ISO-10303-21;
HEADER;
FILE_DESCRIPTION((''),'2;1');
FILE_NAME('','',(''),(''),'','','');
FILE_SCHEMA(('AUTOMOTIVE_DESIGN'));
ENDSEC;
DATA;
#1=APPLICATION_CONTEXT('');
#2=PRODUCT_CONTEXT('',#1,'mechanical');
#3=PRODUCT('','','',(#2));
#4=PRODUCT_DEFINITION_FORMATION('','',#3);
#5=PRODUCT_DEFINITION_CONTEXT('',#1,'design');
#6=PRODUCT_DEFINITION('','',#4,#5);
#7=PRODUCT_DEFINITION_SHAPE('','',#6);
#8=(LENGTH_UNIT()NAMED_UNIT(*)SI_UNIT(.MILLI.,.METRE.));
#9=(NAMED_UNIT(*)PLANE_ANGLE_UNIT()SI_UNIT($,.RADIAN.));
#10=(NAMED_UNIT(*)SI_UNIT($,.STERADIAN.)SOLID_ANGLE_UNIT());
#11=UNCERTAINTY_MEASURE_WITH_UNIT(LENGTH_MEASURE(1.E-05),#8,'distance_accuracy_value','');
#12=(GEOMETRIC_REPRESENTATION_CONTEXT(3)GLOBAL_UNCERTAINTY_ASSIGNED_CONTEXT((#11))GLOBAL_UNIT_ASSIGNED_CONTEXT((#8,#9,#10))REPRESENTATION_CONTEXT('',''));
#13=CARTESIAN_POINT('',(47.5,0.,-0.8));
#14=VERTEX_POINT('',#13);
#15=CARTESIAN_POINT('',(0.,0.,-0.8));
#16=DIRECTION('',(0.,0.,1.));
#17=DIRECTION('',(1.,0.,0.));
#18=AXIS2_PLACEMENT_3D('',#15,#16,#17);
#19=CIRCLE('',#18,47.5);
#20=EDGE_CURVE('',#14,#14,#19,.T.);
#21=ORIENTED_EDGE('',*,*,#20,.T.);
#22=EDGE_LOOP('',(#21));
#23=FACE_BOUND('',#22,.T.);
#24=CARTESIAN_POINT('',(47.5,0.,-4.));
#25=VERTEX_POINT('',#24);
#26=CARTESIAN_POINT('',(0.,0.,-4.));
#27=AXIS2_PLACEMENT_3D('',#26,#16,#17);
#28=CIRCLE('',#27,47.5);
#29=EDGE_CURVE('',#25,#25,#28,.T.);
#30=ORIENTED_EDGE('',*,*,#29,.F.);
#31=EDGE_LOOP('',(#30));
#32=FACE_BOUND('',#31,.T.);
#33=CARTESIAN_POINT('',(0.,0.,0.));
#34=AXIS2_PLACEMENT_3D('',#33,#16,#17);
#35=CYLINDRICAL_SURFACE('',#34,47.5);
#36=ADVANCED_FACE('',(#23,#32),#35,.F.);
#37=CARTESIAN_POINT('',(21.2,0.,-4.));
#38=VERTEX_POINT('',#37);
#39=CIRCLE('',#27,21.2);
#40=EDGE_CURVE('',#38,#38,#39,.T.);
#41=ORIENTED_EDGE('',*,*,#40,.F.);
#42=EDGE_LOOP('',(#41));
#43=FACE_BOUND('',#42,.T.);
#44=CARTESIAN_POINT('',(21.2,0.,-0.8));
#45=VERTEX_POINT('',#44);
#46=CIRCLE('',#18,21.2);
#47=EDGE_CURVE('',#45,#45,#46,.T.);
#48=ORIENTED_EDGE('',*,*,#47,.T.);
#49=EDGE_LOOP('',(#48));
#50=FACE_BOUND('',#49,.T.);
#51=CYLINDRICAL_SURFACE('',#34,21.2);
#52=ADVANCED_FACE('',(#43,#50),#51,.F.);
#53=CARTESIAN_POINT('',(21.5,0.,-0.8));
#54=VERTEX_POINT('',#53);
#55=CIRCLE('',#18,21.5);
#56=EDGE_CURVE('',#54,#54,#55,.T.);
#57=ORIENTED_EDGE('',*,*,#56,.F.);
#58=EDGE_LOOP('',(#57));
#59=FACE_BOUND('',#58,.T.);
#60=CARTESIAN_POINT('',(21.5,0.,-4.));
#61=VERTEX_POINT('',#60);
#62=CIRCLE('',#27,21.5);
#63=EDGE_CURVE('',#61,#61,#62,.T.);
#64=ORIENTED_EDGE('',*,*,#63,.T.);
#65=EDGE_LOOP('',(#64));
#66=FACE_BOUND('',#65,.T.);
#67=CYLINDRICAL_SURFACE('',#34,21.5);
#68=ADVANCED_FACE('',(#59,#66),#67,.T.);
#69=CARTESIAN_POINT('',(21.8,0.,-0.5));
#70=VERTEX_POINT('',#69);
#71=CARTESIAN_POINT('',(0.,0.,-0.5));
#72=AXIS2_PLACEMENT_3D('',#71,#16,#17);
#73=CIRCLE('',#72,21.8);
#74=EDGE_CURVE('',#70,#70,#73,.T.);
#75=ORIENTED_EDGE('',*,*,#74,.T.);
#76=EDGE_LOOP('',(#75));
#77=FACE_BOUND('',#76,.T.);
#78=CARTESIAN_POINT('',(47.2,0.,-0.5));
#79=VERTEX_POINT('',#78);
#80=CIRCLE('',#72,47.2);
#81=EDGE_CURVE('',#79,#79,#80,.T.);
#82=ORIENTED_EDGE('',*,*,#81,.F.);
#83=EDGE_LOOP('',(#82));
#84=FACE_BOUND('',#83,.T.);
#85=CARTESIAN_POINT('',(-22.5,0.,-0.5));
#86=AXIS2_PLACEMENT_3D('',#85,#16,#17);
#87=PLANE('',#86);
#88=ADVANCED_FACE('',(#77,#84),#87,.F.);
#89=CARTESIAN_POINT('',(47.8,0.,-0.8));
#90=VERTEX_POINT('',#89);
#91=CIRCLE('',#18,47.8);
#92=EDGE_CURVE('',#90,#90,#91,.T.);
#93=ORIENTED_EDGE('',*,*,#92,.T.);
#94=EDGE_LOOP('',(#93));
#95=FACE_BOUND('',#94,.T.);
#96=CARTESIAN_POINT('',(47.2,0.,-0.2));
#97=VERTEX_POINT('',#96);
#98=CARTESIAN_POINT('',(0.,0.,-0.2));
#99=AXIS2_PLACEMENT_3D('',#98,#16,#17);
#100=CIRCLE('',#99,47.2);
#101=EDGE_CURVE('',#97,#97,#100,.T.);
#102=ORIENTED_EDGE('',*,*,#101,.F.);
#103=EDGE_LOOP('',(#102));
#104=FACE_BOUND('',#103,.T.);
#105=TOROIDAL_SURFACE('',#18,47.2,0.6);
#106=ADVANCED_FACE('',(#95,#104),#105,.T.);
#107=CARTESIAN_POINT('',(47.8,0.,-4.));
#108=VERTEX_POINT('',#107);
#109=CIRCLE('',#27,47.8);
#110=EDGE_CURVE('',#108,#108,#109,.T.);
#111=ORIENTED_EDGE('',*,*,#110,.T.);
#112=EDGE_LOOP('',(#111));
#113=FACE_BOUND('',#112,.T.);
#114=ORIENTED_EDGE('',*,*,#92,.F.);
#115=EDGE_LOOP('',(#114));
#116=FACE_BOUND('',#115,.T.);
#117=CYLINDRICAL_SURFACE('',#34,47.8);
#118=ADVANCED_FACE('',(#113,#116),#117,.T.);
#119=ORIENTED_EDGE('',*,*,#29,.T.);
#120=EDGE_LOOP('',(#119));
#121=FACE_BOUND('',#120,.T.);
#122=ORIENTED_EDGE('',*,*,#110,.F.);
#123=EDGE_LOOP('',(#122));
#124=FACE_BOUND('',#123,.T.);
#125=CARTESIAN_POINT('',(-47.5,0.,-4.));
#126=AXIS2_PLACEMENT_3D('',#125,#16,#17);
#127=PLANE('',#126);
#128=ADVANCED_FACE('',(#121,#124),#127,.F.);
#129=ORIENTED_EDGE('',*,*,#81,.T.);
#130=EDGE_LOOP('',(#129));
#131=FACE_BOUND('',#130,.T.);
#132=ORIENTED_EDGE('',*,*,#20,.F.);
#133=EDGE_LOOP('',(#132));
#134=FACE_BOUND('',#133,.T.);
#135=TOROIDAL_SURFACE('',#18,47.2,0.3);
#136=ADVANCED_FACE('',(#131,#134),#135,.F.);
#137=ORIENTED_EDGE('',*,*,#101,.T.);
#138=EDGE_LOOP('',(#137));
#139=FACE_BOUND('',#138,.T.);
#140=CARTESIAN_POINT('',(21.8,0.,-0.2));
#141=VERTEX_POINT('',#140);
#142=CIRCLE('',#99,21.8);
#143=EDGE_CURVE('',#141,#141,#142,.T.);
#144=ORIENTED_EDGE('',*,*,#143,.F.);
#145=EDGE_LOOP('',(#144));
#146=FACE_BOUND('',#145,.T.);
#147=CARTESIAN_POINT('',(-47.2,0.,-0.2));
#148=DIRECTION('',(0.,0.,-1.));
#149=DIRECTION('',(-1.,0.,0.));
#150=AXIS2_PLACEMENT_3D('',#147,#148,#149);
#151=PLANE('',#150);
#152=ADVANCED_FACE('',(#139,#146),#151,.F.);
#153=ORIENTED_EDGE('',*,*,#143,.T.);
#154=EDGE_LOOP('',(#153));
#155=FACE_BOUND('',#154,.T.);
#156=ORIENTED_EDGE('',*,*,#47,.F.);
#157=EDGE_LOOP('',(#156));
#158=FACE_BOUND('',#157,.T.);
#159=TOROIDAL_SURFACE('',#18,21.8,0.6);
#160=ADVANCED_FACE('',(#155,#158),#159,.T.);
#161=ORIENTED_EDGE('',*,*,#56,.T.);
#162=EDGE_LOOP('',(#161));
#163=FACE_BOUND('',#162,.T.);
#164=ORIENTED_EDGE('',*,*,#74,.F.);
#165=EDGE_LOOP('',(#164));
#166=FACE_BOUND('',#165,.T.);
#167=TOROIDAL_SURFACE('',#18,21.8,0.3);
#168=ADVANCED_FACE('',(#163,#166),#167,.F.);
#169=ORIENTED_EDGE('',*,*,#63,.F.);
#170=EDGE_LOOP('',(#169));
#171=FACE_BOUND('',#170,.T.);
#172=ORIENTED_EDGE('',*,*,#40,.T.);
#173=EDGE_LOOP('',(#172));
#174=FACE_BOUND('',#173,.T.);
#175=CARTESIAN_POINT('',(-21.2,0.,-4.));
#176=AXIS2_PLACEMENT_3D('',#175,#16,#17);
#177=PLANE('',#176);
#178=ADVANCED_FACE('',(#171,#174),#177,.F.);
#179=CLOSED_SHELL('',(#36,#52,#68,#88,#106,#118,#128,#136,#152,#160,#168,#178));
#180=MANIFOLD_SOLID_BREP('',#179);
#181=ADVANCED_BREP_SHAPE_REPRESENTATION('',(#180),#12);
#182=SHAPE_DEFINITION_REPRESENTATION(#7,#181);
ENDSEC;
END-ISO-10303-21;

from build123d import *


with BuildPart() as part:
    # Sketch1 → Revolve1 (revolve)
    with BuildSketch(Plane(origin=(0, 0, 0), x_dir=(1, 0, 0), z_dir=(0, 1, 0)), mode=Mode.PRIVATE) as revolve1_sk:
        with BuildLine():
            Line((-47.5, 1.5), (-47.5, 0.8))
            ThreePointArc((-47.5, 0.8), (-47.412132034, 0.587867966), (-47.2, 0.5))
            Line((-47.2, 0.5), (-46.5, 0.5))
            Line((-46.5, 0.5), (-22.5, 0.5))
            Line((-22.5, 0.5), (-21.8, 0.5))
            ThreePointArc((-21.8, 0.5), (-21.587867966, 0.587867966), (-21.5, 0.8))
            Line((-21.5, 0.8), (-21.5, 1.5))
            Line((-21.5, 1.5), (-21.5, 4))
            Line((-21.5, 4), (-21.2, 4))
            Line((-21.2, 4), (-21.2, 0.8))
            ThreePointArc((-21.2, 0.8), (-21.375735931, 0.375735931), (-21.8, 0.2))
            Line((-21.8, 0.2), (-47.2, 0.2))
            ThreePointArc((-47.2, 0.2), (-47.624264069, 0.375735931), (-47.8, 0.8))
            Line((-47.8, 0.8), (-47.8, 4))
            Line((-47.8, 4), (-47.5, 4))
            Line((-47.5, 4), (-47.5, 1.5))
        make_face()
    revolve(revolve1_sk.sketch.rotate(Axis((0, 0, 0), (0, 0, -1)), 180), axis=Axis((0, 0, 0), (0, 0, -1)))


solid = part.part
